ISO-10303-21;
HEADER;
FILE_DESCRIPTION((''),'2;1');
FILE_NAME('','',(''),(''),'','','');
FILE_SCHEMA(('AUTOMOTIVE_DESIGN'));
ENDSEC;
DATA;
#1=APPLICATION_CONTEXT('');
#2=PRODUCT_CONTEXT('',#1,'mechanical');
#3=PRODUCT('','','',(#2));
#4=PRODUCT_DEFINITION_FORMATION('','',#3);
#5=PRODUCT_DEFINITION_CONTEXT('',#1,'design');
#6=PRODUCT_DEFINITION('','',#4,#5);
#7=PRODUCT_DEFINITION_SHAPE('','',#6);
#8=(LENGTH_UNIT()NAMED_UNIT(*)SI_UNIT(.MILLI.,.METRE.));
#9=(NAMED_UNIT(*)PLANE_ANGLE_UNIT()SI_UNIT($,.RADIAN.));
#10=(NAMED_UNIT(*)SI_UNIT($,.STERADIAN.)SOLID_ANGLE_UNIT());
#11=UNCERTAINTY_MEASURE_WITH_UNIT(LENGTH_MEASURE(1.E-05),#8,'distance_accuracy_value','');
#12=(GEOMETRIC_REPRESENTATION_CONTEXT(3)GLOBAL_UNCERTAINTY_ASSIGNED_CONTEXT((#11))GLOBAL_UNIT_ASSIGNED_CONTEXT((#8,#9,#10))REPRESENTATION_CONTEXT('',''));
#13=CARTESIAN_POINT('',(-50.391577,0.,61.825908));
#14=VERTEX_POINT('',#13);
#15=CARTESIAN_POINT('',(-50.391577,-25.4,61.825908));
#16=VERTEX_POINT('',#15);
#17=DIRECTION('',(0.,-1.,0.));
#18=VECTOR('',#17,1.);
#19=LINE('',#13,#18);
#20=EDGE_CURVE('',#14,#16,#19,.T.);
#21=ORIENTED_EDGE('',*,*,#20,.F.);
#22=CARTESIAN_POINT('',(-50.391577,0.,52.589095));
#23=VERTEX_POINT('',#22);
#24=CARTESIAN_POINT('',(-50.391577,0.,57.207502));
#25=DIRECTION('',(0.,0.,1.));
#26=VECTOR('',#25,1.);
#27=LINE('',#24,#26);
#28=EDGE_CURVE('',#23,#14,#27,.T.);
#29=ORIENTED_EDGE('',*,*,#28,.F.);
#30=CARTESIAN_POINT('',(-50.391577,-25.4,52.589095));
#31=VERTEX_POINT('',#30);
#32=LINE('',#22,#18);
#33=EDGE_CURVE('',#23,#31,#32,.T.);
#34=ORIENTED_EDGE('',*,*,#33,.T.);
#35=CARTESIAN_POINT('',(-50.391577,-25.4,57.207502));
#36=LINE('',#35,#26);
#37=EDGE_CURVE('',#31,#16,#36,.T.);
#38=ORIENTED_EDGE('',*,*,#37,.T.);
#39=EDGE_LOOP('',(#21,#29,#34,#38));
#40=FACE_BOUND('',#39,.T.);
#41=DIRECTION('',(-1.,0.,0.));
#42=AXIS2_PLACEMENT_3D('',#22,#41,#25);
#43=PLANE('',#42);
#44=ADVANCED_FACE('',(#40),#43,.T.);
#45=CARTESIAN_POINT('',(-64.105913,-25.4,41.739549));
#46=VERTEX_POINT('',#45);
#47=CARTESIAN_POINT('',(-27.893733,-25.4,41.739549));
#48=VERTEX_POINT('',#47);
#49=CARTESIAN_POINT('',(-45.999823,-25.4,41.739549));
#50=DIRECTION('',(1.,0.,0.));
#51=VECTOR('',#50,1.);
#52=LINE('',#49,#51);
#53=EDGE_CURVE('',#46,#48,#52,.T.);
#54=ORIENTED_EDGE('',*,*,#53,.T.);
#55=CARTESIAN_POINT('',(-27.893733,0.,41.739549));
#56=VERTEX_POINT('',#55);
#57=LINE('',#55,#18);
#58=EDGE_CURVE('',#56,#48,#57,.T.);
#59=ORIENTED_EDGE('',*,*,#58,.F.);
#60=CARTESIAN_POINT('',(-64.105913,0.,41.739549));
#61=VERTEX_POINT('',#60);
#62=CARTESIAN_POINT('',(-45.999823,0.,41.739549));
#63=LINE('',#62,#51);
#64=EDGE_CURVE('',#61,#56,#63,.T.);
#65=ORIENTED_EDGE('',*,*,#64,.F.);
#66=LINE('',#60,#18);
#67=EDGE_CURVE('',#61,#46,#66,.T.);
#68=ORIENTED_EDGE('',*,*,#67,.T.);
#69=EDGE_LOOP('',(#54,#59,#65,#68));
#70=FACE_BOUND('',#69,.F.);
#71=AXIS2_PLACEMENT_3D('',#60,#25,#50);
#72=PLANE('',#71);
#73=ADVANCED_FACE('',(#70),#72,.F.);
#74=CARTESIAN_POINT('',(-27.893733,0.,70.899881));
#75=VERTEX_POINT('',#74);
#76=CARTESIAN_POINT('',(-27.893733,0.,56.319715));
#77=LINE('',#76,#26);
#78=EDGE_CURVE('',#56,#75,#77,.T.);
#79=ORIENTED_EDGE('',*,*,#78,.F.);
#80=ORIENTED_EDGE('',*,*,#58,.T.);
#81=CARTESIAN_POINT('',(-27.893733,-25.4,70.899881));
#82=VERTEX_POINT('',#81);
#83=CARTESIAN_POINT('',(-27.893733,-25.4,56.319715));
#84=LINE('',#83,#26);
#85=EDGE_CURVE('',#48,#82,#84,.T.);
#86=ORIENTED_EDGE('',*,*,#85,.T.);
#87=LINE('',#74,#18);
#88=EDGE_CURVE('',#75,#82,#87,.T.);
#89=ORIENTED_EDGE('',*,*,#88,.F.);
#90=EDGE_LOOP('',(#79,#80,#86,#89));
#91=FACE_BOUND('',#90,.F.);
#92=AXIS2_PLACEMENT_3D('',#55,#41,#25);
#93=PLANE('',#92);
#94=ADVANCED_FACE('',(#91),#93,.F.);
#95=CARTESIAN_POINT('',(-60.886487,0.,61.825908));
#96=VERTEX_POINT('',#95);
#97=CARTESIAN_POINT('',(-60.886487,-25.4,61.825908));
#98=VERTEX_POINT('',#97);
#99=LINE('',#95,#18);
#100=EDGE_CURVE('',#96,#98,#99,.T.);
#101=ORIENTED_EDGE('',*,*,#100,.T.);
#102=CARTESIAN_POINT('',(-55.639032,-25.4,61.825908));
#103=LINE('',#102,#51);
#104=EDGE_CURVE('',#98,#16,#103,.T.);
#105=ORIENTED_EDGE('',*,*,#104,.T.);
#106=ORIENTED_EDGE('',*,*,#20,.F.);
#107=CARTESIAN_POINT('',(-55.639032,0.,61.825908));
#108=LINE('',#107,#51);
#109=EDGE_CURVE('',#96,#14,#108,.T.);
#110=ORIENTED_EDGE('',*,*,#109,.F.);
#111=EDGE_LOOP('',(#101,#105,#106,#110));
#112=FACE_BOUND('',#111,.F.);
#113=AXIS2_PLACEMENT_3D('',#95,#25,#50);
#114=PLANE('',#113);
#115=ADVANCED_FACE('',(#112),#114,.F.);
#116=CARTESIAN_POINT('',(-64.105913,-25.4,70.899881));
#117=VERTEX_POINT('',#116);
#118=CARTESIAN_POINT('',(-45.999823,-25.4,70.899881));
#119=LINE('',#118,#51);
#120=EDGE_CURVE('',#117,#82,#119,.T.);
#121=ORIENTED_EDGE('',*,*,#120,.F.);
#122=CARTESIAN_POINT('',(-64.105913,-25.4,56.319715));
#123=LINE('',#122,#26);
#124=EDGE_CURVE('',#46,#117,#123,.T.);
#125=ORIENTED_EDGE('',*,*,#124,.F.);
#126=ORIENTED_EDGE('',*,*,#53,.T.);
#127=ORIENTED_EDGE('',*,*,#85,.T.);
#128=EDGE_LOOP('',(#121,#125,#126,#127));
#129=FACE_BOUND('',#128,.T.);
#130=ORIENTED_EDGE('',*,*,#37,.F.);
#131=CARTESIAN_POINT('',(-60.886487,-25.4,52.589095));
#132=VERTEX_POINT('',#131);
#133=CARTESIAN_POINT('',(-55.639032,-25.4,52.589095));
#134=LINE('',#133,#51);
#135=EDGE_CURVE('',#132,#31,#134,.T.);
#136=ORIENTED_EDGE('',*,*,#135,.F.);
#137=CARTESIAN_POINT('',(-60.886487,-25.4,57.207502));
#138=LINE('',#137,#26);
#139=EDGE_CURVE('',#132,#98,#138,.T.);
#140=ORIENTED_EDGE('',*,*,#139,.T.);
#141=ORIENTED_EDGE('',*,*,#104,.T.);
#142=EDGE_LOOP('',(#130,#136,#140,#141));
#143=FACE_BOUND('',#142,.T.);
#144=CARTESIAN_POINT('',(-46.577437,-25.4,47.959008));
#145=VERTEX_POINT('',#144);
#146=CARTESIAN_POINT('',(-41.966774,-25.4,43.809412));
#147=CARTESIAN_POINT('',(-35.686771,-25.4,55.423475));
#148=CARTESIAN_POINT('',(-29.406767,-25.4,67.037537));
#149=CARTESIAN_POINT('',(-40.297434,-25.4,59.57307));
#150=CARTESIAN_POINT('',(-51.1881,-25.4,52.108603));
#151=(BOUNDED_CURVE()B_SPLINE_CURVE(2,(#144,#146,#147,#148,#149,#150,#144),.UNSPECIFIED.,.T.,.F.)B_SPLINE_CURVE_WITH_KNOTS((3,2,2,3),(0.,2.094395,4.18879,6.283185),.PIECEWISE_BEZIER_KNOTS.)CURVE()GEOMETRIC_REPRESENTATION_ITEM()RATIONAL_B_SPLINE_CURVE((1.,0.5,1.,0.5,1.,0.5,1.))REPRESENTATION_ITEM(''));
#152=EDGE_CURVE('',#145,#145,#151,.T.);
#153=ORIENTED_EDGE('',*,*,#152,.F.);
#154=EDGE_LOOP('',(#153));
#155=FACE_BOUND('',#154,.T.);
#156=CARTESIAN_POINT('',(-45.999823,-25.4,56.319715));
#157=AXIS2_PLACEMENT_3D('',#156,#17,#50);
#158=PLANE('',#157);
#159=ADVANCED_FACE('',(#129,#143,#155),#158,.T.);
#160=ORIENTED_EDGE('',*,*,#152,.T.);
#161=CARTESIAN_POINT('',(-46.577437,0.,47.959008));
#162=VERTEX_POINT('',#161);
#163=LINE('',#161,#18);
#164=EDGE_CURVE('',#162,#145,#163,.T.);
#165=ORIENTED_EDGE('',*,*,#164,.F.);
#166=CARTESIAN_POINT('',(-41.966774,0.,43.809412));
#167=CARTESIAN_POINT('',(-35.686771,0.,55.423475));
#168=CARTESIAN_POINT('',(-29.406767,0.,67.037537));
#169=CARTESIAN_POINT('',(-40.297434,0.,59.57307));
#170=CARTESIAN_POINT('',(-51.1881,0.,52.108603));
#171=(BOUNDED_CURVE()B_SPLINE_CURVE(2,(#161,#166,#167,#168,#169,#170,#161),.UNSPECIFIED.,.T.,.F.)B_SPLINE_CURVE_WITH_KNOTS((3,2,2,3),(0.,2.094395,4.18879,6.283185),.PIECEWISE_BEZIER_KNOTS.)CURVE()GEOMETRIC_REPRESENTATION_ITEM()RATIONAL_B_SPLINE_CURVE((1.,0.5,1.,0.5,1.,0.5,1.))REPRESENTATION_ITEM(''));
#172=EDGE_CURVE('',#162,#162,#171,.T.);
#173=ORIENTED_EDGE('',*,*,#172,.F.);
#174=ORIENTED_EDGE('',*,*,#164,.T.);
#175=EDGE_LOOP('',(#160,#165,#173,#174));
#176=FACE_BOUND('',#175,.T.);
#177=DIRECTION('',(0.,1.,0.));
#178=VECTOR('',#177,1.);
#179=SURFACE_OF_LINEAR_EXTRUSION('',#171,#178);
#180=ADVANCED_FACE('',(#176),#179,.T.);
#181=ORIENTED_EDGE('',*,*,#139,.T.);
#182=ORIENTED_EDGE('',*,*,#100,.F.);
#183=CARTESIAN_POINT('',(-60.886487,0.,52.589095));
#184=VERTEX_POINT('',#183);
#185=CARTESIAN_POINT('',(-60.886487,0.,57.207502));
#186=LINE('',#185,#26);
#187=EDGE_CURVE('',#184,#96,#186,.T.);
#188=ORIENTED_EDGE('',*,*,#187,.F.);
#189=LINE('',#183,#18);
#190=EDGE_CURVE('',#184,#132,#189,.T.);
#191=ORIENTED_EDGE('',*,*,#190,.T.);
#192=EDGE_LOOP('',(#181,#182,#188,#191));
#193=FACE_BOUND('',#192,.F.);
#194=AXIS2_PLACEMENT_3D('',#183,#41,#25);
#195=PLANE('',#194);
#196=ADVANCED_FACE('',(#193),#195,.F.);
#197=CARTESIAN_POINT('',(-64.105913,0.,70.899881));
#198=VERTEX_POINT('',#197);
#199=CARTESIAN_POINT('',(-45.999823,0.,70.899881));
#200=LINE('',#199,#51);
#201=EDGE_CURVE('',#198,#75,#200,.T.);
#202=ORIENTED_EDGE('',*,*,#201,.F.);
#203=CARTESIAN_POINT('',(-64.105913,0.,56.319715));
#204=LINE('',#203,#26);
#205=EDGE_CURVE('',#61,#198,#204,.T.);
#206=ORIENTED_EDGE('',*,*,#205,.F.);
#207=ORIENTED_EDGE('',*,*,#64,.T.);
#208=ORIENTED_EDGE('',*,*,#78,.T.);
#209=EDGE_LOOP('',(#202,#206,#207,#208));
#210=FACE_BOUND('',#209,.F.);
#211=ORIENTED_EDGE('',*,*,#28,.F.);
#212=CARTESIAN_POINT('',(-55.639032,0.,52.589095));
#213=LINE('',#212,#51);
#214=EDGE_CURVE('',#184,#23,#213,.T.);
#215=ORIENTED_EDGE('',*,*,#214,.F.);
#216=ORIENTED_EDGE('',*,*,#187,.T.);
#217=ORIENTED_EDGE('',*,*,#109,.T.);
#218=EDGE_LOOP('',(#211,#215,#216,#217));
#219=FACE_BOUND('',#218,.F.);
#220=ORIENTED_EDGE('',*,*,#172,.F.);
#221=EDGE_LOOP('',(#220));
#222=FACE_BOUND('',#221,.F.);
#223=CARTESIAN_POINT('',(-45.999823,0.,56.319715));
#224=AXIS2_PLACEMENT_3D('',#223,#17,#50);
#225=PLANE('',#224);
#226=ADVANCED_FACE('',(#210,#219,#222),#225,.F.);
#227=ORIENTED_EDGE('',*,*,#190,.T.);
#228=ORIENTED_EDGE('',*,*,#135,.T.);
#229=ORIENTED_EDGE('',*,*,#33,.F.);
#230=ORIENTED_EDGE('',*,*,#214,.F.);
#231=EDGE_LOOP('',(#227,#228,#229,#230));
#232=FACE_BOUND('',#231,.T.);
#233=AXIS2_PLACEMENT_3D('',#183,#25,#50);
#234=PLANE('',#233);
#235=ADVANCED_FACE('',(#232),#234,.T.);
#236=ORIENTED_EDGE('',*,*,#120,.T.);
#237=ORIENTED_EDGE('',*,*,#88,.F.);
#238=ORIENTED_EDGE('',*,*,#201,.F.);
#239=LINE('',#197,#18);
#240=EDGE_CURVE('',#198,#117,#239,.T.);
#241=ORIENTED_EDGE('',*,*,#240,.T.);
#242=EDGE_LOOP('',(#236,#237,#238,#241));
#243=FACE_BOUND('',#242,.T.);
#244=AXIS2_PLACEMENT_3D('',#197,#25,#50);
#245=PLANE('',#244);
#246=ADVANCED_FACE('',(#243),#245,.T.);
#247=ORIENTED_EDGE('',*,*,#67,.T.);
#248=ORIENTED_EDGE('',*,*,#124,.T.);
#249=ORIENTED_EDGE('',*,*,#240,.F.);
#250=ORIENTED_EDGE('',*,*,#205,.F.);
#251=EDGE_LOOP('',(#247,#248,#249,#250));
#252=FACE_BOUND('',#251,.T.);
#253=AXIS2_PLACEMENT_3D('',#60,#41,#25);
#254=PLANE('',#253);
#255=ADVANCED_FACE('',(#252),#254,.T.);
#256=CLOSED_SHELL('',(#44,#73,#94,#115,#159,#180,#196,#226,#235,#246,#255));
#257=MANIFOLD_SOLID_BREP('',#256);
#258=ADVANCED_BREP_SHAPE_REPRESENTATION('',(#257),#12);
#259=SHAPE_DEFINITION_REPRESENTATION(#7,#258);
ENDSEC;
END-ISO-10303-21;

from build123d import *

# Parameters (mm, degrees)
F0_W     = 36.21218
F0_H     = 29.160332
F0_W_2   = 10.49491
F0_H_2   = 9.236813
F1_DEPTH = 25.4


with BuildPart() as f1:
    # F0 (on Front) → F1 (new body)
    with BuildSketch(Plane.XZ):
        with Locations((-45.999823, 56.319715)):
            Rectangle(F0_W, F0_H)
        with BuildLine():
            add(Edge.make_bspline(
                [(-46.577437, 47.959008), (-41.966774, 43.809412), (-35.686771, 55.423475), (-29.406767, 67.037537), (-40.297434, 59.57307), (-51.1881, 52.108603), (-46.577437, 47.959008)],
                knots=[0, 0, 0, 2.094395, 2.094395, 4.18879, 4.18879, 6.283185, 6.283185, 6.283185], degree=2, weights=[1, 0.5, 1, 0.5, 1, 0.5, 1]))
        make_face(mode=Mode.SUBTRACT)
        with Locations((-55.639032, 57.207502)):
            Rectangle(F0_W_2, F0_H_2, mode=Mode.SUBTRACT)
    extrude(amount=F1_DEPTH)


solid = f1.part
